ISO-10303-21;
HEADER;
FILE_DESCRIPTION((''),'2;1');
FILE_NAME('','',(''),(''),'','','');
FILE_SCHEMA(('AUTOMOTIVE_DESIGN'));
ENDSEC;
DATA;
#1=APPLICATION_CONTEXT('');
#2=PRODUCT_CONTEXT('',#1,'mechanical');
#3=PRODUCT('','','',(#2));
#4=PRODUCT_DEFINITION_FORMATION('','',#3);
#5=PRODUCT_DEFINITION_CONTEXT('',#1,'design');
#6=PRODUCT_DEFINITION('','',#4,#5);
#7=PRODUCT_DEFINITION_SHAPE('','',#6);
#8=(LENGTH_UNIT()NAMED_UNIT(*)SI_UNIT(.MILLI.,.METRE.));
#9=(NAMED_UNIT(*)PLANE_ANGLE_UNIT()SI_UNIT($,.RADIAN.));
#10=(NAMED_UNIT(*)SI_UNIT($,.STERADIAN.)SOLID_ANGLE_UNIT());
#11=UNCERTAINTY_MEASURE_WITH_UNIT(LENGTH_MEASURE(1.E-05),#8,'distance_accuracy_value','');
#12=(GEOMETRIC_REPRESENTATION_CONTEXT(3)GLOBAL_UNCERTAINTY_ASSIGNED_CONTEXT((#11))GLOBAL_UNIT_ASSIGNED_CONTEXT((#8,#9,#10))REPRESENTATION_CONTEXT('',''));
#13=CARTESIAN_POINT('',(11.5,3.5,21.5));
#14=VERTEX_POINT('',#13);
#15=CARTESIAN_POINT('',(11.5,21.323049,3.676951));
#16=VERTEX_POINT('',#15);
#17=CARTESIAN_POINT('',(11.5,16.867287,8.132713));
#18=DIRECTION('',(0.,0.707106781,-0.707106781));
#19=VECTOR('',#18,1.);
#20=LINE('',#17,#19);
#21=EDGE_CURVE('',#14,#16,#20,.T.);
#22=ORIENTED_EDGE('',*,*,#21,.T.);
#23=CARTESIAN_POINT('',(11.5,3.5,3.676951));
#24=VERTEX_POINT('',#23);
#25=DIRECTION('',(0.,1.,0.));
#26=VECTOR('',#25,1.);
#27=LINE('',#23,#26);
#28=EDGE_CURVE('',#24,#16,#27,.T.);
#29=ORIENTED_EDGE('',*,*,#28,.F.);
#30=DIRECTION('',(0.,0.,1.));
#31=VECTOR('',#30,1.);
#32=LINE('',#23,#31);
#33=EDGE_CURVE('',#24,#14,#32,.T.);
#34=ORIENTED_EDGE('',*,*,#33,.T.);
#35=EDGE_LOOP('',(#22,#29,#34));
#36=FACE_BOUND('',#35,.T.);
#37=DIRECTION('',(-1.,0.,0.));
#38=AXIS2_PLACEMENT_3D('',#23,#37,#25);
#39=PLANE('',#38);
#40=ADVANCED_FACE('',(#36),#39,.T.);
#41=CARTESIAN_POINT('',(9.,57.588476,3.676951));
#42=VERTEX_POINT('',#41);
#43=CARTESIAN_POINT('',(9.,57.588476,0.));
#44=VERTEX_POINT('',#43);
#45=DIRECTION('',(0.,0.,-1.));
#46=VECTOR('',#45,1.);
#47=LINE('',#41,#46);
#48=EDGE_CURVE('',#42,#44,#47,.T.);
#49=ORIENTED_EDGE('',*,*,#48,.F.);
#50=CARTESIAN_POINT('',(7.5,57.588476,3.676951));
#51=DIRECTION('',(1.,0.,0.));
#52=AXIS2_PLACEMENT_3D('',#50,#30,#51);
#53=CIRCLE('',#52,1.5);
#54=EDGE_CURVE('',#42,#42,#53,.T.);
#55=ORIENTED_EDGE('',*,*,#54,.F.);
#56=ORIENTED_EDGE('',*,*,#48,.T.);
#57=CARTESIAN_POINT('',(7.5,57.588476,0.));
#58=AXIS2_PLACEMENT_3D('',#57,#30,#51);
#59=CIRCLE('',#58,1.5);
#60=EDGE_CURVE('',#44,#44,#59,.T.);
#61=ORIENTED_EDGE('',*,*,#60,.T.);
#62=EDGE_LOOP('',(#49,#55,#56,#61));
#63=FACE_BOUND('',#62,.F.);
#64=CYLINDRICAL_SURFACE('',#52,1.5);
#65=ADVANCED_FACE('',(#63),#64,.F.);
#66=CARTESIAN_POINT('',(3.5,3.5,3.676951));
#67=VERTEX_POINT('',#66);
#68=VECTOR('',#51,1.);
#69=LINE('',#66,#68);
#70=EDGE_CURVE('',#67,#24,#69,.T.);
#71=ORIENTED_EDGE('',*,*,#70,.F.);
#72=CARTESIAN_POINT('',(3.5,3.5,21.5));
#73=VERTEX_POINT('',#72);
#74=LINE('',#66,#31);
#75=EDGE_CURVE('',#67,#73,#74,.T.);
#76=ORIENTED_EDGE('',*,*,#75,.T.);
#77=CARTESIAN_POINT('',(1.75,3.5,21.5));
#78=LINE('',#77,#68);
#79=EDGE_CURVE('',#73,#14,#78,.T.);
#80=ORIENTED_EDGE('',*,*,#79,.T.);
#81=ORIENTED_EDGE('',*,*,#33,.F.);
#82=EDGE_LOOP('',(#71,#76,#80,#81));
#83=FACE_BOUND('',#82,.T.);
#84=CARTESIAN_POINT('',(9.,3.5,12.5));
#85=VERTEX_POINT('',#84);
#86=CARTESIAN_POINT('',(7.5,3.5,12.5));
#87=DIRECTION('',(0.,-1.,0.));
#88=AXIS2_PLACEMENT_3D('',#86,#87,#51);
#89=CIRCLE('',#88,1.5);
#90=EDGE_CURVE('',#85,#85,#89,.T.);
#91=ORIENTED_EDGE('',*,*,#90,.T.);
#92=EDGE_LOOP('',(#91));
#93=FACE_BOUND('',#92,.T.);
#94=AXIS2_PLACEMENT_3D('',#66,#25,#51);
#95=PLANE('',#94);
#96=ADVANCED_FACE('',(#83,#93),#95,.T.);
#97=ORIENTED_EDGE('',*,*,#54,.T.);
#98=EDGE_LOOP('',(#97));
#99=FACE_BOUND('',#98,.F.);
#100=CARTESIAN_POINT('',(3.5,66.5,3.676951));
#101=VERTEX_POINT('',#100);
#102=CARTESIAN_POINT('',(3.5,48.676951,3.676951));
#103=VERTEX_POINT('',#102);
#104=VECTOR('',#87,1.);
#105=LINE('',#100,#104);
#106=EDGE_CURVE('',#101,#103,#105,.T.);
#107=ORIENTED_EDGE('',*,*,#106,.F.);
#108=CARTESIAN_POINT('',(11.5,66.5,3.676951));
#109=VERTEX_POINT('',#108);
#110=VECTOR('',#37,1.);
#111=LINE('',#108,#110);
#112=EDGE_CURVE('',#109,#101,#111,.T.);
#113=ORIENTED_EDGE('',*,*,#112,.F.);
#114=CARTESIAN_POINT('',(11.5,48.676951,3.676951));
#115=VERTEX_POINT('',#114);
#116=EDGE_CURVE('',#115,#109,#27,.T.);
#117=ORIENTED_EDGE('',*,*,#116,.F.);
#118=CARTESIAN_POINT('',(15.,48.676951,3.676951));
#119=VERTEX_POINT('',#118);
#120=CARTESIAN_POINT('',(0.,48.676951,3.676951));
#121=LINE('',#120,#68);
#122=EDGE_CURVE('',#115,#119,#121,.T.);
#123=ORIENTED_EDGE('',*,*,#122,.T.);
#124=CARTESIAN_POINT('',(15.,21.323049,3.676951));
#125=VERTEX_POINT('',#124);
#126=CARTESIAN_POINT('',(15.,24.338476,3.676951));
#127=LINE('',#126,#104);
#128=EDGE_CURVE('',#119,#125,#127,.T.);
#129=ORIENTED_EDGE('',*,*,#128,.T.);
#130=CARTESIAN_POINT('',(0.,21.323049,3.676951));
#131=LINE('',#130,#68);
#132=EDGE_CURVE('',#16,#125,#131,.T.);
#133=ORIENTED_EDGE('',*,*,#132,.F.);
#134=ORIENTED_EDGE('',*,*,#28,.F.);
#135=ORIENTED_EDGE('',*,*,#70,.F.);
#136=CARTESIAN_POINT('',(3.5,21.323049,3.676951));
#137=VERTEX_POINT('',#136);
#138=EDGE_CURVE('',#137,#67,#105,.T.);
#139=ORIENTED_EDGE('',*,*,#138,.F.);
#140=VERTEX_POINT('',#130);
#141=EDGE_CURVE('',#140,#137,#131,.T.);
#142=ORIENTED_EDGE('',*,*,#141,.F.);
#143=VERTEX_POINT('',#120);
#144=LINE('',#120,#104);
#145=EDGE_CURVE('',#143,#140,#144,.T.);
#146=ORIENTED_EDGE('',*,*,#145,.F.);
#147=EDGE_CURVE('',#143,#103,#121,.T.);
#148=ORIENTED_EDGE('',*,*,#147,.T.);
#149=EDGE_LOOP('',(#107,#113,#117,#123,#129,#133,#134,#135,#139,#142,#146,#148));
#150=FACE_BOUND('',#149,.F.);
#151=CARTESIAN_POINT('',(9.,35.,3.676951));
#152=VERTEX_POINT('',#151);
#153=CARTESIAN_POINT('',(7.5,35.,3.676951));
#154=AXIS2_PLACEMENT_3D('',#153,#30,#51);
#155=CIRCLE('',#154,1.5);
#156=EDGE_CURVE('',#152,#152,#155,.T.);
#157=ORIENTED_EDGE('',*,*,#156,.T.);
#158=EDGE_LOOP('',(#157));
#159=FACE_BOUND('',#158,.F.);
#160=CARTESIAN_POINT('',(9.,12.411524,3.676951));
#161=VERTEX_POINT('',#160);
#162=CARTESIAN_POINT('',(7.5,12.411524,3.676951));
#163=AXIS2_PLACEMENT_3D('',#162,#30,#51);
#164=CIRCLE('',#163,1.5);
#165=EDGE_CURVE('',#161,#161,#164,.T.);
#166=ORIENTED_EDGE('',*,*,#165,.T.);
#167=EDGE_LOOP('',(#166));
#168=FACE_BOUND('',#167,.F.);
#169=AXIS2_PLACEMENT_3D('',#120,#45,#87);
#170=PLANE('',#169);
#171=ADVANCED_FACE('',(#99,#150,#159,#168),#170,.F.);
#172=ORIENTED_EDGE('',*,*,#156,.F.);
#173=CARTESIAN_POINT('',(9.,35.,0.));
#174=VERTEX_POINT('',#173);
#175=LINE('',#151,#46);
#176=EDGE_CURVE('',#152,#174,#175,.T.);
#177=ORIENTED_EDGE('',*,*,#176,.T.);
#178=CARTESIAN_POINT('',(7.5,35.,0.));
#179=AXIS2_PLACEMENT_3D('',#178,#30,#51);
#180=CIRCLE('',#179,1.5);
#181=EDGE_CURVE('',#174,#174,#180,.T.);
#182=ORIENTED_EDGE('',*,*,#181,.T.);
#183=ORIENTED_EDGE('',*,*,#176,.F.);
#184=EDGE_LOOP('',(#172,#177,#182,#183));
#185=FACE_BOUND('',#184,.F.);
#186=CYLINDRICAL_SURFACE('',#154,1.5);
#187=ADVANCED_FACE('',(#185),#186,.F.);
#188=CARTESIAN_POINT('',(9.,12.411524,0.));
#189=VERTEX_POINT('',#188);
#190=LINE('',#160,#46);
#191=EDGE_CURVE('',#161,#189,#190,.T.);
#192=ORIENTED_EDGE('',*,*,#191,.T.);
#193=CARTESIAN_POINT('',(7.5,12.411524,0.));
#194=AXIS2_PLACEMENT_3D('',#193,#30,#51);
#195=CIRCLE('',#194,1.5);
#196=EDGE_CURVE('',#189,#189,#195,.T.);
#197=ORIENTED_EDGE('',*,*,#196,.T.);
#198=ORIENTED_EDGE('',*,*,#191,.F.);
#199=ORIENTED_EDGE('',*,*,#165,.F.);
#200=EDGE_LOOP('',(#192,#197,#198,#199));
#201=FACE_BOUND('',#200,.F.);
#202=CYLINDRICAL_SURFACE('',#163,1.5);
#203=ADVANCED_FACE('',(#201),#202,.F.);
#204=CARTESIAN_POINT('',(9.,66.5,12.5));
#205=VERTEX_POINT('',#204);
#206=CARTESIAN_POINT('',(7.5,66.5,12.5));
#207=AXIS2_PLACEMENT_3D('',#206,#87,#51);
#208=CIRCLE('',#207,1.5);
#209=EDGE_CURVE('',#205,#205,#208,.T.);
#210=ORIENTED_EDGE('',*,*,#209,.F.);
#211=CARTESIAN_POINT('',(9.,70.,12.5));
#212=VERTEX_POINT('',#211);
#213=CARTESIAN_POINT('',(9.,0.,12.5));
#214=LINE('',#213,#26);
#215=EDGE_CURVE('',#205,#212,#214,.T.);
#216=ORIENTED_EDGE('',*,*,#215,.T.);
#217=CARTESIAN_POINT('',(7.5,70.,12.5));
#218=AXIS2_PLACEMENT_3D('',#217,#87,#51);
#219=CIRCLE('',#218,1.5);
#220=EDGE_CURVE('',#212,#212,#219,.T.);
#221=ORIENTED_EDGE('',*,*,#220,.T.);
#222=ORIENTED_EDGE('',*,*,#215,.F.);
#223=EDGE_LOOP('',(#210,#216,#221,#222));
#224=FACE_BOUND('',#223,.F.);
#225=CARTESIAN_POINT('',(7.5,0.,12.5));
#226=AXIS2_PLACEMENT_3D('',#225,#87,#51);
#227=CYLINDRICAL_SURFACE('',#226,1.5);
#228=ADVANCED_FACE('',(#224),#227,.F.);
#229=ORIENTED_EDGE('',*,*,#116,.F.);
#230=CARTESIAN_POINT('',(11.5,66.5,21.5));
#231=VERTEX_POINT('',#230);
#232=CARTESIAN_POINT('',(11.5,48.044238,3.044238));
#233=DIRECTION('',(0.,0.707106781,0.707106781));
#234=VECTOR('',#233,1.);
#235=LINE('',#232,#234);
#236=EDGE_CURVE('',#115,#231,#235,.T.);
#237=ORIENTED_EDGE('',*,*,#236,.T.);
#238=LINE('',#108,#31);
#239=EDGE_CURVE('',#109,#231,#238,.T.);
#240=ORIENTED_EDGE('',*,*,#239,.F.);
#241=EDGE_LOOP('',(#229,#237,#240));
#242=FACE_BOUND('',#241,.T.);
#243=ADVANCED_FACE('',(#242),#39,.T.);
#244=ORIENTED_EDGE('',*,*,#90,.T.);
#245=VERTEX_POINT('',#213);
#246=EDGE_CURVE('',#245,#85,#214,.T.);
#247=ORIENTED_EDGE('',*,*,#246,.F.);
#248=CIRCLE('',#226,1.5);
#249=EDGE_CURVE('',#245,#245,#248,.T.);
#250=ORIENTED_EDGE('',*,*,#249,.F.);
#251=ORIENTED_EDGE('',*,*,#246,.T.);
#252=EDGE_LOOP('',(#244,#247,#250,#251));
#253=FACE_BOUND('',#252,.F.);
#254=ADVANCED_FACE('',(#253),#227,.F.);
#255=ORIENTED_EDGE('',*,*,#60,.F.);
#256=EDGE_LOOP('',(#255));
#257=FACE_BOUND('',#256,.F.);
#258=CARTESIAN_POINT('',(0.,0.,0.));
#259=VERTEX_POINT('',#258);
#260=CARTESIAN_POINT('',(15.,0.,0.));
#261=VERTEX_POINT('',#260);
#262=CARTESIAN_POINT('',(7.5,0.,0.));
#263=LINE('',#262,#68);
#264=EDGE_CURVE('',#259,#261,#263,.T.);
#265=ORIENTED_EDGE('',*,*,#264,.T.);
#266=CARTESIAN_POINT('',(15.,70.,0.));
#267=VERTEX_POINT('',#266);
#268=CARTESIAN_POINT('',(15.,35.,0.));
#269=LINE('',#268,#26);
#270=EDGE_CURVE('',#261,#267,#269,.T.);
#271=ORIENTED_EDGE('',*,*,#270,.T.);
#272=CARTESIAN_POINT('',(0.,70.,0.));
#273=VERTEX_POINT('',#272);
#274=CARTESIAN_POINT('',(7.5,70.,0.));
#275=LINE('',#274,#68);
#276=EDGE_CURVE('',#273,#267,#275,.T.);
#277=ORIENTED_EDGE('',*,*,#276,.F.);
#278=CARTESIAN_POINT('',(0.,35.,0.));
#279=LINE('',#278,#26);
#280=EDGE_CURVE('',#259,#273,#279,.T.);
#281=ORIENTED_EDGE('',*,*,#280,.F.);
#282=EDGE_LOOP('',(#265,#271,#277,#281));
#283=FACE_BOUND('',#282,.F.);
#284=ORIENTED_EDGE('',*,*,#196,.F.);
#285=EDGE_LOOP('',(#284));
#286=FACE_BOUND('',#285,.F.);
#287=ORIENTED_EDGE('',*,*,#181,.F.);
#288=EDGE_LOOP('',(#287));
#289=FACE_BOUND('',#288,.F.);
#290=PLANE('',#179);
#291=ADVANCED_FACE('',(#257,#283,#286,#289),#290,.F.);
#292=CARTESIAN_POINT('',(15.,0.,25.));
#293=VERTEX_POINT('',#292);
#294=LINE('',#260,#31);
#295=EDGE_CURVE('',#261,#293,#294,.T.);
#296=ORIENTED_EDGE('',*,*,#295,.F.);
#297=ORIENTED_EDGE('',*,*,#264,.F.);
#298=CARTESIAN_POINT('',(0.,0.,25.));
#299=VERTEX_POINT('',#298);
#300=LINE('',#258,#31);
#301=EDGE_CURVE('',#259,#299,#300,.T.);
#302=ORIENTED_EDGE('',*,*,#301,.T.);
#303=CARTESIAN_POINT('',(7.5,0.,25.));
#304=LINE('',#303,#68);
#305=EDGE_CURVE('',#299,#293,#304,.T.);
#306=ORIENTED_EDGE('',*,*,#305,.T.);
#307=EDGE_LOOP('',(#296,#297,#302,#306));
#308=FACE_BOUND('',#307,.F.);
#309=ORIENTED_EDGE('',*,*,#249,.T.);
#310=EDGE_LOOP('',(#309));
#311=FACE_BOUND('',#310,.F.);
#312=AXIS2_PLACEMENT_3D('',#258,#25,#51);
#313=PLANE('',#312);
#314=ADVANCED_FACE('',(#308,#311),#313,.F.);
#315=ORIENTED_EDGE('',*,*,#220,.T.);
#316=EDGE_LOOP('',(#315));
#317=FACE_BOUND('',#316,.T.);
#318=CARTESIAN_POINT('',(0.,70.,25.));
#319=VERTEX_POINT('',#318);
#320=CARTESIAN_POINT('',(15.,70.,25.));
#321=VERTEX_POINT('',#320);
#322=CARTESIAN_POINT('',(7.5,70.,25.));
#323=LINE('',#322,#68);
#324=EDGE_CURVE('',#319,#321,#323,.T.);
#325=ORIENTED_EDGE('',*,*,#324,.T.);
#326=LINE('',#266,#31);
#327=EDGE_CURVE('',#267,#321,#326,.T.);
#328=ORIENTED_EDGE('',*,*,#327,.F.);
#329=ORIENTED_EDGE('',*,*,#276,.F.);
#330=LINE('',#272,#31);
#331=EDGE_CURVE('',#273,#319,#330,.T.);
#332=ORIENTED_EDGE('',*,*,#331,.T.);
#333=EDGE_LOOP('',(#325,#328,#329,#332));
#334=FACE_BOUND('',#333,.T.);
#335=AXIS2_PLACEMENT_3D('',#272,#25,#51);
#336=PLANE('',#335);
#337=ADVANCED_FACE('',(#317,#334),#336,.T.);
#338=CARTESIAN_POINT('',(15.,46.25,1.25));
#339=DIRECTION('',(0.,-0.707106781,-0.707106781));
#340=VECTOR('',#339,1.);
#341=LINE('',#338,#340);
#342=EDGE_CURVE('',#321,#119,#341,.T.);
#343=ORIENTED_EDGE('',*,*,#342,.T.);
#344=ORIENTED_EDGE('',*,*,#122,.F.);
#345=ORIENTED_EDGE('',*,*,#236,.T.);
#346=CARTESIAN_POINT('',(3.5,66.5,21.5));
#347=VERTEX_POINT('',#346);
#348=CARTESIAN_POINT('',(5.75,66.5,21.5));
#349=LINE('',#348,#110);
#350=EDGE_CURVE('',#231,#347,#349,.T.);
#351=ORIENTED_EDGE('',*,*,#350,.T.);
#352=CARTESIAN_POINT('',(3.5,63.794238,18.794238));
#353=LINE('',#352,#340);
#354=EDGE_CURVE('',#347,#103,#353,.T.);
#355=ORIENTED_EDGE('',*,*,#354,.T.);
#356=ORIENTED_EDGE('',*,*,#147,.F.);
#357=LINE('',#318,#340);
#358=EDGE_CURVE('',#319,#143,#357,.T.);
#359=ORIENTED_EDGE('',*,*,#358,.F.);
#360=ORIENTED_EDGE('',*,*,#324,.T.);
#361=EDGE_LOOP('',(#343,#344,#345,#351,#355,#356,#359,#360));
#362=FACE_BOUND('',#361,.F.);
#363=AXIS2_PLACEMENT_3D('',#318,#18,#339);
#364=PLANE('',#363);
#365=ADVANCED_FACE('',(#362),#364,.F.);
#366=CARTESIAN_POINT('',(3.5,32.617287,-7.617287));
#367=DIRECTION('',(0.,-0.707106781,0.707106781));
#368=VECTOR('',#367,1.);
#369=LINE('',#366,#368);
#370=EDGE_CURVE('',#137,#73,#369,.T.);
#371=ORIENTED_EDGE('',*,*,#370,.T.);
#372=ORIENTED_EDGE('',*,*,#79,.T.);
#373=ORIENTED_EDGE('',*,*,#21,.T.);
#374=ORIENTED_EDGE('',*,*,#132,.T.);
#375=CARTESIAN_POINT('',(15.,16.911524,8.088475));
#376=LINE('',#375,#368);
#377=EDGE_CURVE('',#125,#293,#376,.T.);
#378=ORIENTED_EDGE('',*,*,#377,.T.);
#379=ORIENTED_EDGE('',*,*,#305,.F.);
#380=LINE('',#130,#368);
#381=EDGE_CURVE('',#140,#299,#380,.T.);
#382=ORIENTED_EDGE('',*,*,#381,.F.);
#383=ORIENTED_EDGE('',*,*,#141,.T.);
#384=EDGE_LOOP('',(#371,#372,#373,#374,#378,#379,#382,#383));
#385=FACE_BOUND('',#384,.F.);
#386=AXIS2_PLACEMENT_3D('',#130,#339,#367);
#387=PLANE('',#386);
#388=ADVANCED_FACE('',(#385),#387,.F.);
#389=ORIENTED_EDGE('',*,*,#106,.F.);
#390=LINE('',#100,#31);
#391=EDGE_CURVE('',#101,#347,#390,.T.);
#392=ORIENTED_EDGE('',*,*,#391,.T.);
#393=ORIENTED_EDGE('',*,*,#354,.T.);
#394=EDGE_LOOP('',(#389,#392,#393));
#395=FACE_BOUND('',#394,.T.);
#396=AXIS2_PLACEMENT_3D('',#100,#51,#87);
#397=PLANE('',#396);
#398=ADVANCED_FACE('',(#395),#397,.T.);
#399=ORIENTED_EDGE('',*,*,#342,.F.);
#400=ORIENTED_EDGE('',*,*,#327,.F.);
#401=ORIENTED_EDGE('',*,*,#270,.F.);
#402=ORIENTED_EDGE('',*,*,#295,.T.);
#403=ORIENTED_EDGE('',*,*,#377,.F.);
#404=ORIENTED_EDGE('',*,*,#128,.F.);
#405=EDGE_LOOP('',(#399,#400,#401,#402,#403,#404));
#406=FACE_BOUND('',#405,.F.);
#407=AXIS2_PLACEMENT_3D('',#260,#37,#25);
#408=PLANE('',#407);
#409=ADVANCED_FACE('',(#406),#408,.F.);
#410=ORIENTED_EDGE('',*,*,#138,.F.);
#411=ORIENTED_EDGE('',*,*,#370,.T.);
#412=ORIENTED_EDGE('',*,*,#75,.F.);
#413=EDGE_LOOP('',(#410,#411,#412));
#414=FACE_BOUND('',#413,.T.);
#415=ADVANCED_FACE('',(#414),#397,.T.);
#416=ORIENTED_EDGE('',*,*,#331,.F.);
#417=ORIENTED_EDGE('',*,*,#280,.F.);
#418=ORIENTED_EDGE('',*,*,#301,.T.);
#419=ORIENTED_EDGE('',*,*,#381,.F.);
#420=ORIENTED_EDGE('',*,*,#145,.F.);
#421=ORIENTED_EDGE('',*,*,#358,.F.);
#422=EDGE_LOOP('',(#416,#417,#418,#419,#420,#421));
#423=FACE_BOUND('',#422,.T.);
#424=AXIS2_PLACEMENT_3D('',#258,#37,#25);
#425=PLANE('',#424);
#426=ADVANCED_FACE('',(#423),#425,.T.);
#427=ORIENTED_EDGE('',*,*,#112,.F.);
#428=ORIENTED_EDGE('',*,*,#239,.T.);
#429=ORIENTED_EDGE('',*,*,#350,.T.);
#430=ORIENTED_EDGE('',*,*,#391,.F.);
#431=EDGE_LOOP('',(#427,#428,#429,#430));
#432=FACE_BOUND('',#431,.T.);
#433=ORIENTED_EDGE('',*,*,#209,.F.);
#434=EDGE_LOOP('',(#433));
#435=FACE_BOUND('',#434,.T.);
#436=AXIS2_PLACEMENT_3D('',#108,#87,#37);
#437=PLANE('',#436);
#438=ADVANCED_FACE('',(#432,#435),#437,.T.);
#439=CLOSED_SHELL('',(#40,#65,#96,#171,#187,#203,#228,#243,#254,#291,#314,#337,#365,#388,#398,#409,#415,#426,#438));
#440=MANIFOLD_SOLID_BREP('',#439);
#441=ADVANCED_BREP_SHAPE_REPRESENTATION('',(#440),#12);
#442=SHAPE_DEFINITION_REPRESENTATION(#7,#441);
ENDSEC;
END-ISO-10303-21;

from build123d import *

# Parameters (mm, degrees)
F0_W     = 15
F0_H     = 70
F1_DEPTH = 25
F3_DEPTH = 25
F5_DEPTH = 25
F6_R     = 1.5
F7_DEPTH = 83.8
F8_R     = 1.5
F9_DEPTH = 25


with BuildPart() as f1:
    # F0 (on Top) → F1 (new body)
    with BuildSketch(Plane.XY):
        with Locations((7.5, 35)):
            Rectangle(F0_W, F0_H)
    extrude(amount=F1_DEPTH)

    # F2 (on face) → F3 (cut)
    with BuildSketch(Plane(origin=(0, 0, 0), x_dir=(0, -1, 0), z_dir=(-1, 0, 0))):
        Polygon((-35, 25), (-70, 25), (-48.676951, 3.676951), (-35, 3.676951), (-21.323049, 3.676951), (0, 25), align=None)
    extrude(amount=-F3_DEPTH, mode=Mode.SUBTRACT)

    # F4 (on face) → F5 (cut)
    with BuildSketch(Plane.XY.offset(3.676951)):
        Polygon((3.5, 66.5), (3.5, 35), (3.5, 3.5), (11.5, 3.5), (11.5, 35), (11.5, 66.5), align=None)
    extrude(amount=F5_DEPTH, mode=Mode.SUBTRACT)

    # F6 (on face) → F7 (cut)
    with BuildSketch(Plane.XZ):
        with Locations((7.5, 12.5)):
            Circle(F6_R)
    extrude(amount=-F7_DEPTH, mode=Mode.SUBTRACT)

    # F8 (on face) → F9 (cut)
    with BuildSketch(Plane.XY.offset(3.676951)):
        with Locations((7.5, 57.588476)):
            Circle(F8_R)
        with Locations((7.5, 12.411524)):
            Circle(F8_R)
        with Locations((7.5, 35)):
            Circle(F8_R)
    extrude(amount=-F9_DEPTH, mode=Mode.SUBTRACT)


solid = f1.part
